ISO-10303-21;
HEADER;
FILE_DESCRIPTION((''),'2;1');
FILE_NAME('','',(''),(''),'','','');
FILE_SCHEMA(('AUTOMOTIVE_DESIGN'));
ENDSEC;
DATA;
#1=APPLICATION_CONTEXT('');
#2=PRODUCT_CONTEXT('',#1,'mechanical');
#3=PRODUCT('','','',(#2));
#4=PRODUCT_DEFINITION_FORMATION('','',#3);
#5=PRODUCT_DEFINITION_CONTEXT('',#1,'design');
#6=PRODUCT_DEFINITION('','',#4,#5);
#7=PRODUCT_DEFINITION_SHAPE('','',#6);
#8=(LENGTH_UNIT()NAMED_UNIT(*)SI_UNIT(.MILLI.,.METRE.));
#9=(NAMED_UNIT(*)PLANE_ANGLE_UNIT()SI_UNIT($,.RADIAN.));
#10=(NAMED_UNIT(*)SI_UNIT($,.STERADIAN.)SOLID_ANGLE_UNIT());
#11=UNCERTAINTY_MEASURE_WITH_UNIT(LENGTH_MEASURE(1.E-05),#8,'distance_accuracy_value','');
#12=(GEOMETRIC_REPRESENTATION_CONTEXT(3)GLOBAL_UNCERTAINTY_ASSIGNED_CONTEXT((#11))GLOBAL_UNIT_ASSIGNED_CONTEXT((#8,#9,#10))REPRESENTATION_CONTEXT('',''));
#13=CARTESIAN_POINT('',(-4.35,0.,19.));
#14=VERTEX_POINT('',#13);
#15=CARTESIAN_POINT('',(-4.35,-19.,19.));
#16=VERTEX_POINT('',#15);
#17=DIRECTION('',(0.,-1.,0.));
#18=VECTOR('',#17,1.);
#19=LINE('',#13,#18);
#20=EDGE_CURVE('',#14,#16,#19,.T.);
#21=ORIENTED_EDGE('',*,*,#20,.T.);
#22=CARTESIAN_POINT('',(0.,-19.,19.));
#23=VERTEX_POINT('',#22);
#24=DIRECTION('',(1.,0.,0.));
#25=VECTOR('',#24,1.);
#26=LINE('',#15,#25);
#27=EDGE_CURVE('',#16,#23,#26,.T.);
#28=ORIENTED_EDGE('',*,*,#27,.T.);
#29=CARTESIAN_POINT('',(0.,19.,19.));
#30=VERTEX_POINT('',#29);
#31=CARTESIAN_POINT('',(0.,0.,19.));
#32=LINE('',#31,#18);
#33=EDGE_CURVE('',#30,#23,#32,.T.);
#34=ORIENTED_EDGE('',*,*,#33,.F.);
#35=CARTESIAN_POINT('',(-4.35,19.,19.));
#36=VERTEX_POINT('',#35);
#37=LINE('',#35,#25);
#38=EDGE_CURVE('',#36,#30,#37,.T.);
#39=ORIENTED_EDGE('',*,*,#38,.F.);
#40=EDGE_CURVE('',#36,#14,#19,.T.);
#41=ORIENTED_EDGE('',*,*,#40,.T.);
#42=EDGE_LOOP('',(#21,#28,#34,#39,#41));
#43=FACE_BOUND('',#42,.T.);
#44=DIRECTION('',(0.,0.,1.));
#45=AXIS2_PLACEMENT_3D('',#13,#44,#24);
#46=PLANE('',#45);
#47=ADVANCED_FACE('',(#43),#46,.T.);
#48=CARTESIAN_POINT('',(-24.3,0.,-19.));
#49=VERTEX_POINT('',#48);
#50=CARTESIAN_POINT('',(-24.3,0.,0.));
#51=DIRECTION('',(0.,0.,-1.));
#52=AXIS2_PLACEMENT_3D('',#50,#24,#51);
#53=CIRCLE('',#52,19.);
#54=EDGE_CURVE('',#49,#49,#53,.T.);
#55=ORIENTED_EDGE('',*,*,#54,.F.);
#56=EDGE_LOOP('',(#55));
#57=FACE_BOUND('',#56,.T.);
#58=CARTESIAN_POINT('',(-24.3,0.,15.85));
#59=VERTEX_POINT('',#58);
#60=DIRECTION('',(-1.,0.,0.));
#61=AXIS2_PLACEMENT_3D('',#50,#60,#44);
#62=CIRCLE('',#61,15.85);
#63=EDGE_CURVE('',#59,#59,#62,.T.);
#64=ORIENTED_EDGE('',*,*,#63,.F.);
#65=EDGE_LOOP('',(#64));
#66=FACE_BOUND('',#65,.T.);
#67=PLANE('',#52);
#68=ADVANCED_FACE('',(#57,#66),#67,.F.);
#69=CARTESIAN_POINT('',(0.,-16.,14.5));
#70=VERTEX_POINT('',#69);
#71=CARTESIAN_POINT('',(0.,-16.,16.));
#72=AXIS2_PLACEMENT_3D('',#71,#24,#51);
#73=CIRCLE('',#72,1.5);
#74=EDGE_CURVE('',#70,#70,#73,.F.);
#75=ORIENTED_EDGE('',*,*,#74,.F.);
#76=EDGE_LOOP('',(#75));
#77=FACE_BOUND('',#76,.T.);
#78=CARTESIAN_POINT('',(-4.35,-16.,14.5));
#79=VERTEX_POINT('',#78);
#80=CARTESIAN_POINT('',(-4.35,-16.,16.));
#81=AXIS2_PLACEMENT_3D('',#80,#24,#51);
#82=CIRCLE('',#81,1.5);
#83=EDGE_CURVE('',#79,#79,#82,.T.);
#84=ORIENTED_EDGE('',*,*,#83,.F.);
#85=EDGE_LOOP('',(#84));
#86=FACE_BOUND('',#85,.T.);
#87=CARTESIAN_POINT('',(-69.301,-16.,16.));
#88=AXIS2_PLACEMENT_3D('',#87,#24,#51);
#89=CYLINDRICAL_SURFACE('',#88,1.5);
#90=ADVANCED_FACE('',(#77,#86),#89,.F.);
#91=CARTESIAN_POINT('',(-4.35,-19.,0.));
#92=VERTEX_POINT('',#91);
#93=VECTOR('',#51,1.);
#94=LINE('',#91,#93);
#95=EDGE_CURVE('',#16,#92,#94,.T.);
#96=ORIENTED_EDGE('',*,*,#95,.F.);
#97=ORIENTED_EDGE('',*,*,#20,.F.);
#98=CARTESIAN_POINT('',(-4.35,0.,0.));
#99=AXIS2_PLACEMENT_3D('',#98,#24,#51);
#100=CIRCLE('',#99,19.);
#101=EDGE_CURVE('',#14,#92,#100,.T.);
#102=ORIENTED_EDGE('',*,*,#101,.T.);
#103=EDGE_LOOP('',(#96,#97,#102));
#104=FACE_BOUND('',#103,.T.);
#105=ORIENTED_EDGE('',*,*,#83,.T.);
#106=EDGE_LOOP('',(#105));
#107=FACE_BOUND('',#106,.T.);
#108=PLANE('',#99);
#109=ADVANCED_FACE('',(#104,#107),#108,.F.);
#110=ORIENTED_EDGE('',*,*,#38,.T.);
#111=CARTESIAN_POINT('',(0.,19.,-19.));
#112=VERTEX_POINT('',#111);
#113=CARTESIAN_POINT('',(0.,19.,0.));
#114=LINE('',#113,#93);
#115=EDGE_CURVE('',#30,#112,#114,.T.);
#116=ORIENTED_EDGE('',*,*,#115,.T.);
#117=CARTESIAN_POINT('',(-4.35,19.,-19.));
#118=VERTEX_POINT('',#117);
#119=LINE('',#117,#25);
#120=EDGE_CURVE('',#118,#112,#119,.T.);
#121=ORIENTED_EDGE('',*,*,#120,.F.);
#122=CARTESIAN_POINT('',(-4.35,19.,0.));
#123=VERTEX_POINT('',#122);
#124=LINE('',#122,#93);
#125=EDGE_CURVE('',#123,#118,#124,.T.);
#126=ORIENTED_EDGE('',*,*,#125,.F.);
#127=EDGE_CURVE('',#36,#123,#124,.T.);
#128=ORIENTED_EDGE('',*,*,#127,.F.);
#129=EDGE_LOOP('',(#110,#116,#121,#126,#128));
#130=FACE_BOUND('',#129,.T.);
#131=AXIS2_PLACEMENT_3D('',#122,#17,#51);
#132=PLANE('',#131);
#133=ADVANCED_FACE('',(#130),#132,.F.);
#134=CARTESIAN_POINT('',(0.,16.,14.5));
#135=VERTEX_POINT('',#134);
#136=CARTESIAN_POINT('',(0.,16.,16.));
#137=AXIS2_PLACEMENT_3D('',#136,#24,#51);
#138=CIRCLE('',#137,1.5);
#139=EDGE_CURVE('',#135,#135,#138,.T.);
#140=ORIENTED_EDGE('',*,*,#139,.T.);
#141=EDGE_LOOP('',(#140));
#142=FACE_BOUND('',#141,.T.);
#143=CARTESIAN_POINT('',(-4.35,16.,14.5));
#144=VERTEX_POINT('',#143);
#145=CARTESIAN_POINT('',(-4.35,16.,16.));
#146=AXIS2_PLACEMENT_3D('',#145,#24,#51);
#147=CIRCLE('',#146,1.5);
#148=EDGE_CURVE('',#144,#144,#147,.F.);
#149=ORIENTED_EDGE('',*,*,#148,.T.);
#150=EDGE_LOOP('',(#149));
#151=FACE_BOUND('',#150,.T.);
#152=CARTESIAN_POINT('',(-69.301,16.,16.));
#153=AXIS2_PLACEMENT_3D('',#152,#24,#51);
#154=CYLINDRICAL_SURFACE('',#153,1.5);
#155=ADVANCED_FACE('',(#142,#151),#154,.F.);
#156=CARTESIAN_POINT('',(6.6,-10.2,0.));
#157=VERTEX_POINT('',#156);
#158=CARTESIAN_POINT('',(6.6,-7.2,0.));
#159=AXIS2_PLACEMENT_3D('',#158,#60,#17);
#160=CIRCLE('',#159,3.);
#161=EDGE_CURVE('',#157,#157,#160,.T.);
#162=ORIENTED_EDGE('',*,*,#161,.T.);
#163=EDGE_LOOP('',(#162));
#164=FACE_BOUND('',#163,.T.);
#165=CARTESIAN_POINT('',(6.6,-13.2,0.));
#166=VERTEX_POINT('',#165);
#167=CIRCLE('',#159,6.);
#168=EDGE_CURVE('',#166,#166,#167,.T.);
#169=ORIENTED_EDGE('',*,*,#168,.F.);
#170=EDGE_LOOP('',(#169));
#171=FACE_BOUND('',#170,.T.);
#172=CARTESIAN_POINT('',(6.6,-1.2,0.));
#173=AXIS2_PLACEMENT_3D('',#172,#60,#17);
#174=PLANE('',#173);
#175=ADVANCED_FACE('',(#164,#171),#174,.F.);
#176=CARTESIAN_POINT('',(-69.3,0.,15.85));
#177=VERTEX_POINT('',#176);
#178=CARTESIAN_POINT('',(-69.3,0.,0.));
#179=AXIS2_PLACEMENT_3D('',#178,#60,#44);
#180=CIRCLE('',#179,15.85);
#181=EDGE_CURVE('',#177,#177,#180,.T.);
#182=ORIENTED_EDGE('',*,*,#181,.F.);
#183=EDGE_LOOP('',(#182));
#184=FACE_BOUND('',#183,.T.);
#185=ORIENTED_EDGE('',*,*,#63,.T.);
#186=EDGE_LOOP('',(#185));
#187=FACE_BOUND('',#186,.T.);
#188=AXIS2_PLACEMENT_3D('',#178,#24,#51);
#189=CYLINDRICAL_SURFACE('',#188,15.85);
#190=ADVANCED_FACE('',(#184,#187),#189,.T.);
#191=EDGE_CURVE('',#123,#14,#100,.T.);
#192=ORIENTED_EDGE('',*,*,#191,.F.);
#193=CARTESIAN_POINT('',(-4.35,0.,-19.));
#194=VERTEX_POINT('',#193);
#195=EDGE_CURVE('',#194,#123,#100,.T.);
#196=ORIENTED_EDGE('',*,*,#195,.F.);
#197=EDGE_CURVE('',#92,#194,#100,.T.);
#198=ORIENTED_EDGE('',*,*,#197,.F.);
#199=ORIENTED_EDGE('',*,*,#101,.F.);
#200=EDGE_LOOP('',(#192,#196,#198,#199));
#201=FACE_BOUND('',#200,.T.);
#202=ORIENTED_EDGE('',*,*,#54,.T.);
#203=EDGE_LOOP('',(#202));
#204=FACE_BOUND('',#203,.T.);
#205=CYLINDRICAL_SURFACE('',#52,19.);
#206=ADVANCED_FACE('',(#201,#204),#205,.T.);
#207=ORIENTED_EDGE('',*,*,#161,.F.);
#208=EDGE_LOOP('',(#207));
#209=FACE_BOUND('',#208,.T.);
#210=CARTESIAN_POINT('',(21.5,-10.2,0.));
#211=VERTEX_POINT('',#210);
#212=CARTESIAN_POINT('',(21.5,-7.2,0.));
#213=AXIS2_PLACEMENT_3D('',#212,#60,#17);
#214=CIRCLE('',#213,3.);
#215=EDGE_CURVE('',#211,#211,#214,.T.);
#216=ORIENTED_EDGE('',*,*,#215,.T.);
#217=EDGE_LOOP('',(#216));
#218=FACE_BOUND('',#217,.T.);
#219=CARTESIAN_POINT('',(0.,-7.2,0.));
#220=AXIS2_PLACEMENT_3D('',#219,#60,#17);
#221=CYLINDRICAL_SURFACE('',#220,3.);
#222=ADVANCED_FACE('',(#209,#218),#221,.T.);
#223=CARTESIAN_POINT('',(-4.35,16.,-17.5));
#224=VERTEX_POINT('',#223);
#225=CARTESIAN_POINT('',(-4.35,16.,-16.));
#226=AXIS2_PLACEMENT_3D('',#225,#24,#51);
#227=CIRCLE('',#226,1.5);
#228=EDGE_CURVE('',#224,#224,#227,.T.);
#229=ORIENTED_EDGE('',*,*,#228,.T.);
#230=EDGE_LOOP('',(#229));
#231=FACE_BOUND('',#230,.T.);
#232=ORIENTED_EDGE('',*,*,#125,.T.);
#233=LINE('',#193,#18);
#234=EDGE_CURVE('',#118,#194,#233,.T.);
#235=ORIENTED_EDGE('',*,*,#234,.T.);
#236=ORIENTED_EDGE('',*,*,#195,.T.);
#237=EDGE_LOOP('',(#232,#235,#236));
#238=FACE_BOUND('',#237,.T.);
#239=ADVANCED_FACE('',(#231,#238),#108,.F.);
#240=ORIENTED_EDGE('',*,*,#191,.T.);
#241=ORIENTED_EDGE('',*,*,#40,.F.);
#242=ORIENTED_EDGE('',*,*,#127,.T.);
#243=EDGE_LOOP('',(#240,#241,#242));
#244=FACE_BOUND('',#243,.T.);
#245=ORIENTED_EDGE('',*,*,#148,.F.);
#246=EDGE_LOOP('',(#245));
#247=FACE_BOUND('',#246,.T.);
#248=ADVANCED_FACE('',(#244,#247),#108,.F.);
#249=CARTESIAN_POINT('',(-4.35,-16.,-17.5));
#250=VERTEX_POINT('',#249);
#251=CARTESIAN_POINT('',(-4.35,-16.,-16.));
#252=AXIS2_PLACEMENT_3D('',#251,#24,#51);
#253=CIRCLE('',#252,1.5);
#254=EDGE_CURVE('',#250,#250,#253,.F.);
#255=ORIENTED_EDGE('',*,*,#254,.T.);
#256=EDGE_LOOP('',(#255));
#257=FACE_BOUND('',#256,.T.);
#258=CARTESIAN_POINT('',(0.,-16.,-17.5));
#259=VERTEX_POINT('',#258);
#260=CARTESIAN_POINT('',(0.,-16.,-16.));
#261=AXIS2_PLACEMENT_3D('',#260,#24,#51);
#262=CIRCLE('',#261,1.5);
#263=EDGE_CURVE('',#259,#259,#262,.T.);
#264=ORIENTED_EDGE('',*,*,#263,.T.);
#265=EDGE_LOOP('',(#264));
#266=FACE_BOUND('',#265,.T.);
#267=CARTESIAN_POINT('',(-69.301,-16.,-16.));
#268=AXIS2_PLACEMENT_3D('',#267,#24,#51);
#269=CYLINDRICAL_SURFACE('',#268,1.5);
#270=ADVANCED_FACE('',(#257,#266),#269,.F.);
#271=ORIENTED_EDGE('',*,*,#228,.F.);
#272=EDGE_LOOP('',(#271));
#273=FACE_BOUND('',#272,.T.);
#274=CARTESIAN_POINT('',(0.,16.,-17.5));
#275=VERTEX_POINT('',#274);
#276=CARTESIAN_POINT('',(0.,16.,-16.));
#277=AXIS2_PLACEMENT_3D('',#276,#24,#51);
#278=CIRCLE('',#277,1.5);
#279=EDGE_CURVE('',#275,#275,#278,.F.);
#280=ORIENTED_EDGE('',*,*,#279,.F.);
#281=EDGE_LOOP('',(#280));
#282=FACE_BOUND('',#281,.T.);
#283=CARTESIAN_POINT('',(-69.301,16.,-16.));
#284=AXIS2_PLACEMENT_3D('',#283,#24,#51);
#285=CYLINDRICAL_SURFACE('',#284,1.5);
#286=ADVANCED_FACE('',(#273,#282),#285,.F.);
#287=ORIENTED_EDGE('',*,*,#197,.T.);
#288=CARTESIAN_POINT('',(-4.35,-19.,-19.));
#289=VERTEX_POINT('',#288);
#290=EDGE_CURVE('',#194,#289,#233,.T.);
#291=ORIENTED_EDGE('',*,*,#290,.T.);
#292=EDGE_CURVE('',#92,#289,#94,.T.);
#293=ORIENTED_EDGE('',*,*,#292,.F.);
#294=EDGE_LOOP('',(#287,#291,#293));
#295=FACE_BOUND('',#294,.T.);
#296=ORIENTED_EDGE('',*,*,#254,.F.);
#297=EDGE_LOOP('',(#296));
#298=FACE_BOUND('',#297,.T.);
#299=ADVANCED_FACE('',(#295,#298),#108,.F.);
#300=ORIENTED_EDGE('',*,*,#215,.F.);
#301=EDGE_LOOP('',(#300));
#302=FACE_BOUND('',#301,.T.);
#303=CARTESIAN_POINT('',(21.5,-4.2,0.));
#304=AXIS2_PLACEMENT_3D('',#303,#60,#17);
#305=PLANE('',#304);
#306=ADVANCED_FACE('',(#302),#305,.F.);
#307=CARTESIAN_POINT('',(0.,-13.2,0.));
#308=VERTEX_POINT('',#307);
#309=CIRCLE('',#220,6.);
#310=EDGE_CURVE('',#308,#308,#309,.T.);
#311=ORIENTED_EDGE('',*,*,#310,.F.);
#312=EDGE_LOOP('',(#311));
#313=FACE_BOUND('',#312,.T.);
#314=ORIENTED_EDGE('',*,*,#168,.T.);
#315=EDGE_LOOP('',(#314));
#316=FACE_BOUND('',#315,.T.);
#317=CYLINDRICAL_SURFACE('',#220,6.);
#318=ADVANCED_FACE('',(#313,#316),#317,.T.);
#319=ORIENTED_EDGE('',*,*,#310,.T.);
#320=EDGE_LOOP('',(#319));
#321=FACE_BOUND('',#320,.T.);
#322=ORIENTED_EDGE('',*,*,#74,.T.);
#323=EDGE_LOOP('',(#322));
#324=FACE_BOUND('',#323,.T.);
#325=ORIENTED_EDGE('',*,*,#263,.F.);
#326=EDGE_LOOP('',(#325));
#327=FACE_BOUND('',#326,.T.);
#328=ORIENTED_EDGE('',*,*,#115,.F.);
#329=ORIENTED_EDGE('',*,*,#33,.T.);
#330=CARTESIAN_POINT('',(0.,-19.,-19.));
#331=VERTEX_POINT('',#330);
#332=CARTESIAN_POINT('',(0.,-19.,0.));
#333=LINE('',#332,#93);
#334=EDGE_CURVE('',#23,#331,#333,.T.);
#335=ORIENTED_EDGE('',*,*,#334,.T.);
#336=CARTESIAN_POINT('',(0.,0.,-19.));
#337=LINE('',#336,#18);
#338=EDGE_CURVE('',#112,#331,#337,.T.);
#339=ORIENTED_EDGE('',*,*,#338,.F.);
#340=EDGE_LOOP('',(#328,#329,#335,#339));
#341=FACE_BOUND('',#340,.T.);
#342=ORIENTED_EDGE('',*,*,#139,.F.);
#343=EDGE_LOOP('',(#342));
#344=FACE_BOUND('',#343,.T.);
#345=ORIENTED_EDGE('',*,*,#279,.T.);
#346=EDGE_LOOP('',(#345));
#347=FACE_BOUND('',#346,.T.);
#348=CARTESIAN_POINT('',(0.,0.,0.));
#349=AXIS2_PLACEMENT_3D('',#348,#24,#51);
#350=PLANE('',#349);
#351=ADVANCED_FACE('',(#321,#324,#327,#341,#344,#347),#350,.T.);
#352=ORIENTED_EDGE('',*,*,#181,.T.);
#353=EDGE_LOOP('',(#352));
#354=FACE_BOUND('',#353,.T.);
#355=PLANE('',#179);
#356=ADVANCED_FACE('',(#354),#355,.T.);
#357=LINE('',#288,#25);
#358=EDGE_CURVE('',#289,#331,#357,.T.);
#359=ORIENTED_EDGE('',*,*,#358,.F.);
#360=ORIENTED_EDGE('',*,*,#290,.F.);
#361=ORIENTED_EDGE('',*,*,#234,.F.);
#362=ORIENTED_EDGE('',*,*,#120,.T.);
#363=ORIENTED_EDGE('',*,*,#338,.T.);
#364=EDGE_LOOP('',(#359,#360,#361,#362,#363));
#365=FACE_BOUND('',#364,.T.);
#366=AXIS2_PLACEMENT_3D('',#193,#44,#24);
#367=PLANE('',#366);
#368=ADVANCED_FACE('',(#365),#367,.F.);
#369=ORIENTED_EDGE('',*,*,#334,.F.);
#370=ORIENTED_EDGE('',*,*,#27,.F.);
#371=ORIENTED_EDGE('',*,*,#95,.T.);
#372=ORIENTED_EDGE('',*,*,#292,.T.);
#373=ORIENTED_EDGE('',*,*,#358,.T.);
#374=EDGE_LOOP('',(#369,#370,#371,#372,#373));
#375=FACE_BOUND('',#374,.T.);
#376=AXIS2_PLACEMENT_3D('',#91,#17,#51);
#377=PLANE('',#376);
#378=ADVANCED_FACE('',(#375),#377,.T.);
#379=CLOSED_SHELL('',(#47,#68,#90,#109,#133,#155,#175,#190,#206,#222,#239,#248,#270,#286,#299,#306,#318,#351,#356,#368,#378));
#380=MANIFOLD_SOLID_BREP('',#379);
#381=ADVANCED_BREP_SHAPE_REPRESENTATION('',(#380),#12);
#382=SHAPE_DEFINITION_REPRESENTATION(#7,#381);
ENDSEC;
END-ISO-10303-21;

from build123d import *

# Parameters (mm, degrees)
BOSS_EXTRUDE1_DEPTH   = 24.3
BOSS_EXTRUDE2_DEPTH   = 4.35
SKETCH2_R             = 15.85
BOSS_EXTRUDE3_DEPTH   = 45
CORTE_EXTRUS_O1_REACH = 76.327
ESBO_O3_R             = 1.5


with BuildPart() as part:
    # Sketch1 → Boss-Extrude1 (new body)
    with BuildSketch(Plane(origin=(0, 0, 0), x_dir=(0, 0, -1), z_dir=(1, 0, 0))):
        with BuildLine():
            ThreePointArc((19, 0), (13.435028855, 13.43502883), (3.5e-08, 19))
            ThreePointArc((3.5e-08, 19), (-13.435028834, 13.435028851), (-19, -9e-09))
            ThreePointArc((-19, -9e-09), (-13.435028829, -13.435028856), (2.8e-08, -19))
            ThreePointArc((2.8e-08, -19), (13.435028852, -13.435028833), (19, 0))
        make_face()
    extrude(amount=-BOSS_EXTRUDE1_DEPTH)

    # Sketch1<3> → Boss-Extrude2 (add)
    with BuildSketch(Plane(origin=(0, 0, 0), x_dir=(0, 0, -1), z_dir=(1, 0, 0))):
        with BuildLine():
            Line((3.5e-08, 19), (-19, 19))
            Line((-19, 19), (-19, -9e-09))
            ThreePointArc((-19, -9e-09), (-13.435028834, 13.435028851), (3.5e-08, 19))
        make_face()
        with BuildLine():
            Line((19, 19), (3.5e-08, 19))
            ThreePointArc((3.5e-08, 19), (13.435028855, 13.43502883), (19, 0))
            Line((19, 0), (19, 19))
        make_face()
        with BuildLine():
            ThreePointArc((2.8e-08, -19), (-13.435028829, -13.435028856), (-19, -9e-09))
            Line((-19, -9e-09), (-19, -19))
            Line((-19, -19), (2.8e-08, -19))
        make_face()
        with BuildLine():
            Line((19, -19), (19, 0))
            ThreePointArc((19, 0), (13.435028852, -13.435028833), (2.8e-08, -19))
            Line((2.8e-08, -19), (19, -19))
        make_face()
    extrude(amount=-BOSS_EXTRUDE2_DEPTH)

    # Sketch2 → Boss-Extrude3 (add)
    with BuildSketch(Plane.ZY.offset(24.3)):
        Circle(SKETCH2_R)
    extrude(amount=BOSS_EXTRUDE3_DEPTH)

    # Esboço2 → Revolução1 (revolve)
    with BuildSketch(Plane.XY):
        Polygon((0, -1.2), (6.6, -1.2), (6.6, -4.2), (21.5, -4.2), (21.5, -7.2), (0, -7.2), align=None)
    revolve(axis=Axis((0, -7.2, 0), (1, 0, 0)))

    # Esboço3 → Corte-extrusão1 (cut, up to next)
    with BuildSketch(Plane(origin=(0, 0, 0), x_dir=(0, 0, -1), z_dir=(1, 0, 0)), mode=Mode.PRIVATE) as corte_extrus_o1_sk1:
        with Locations((-16, 16)):
            Circle(ESBO_O3_R)
    corte_extrus_o1_tool1 = extrude(corte_extrus_o1_sk1.sketch, amount=-CORTE_EXTRUS_O1_REACH, mode=Mode.PRIVATE) & part.part
    # Esboço3 → Corte-extrusão1 (cut, up to next)
    with BuildSketch(Plane(origin=(0, 0, 0), x_dir=(0, 0, -1), z_dir=(1, 0, 0)), mode=Mode.PRIVATE) as corte_extrus_o1_sk2:
        with Locations((16, 16)):
            Circle(ESBO_O3_R)
    corte_extrus_o1_tool2 = extrude(corte_extrus_o1_sk2.sketch, amount=-CORTE_EXTRUS_O1_REACH, mode=Mode.PRIVATE) & part.part
    # Esboço3 → Corte-extrusão1 (cut, up to next)
    with BuildSketch(Plane(origin=(0, 0, 0), x_dir=(0, 0, -1), z_dir=(1, 0, 0)), mode=Mode.PRIVATE) as corte_extrus_o1_sk3:
        with Locations((16, -16)):
            Circle(ESBO_O3_R)
    corte_extrus_o1_tool3 = extrude(corte_extrus_o1_sk3.sketch, amount=-CORTE_EXTRUS_O1_REACH, mode=Mode.PRIVATE) & part.part
    # Esboço3 → Corte-extrusão1 (cut, up to next)
    with BuildSketch(Plane(origin=(0, 0, 0), x_dir=(0, 0, -1), z_dir=(1, 0, 0)), mode=Mode.PRIVATE) as corte_extrus_o1_sk4:
        with Locations((-16, -16)):
            Circle(ESBO_O3_R)
    corte_extrus_o1_tool4 = extrude(corte_extrus_o1_sk4.sketch, amount=-CORTE_EXTRUS_O1_REACH, mode=Mode.PRIVATE) & part.part
    add(corte_extrus_o1_tool1.solids().sort_by_distance((0, 16, 16))[0], mode=Mode.SUBTRACT)
    add(corte_extrus_o1_tool2.solids().sort_by_distance((0, 16, -16))[0], mode=Mode.SUBTRACT)
    add(corte_extrus_o1_tool3.solids().sort_by_distance((0, -16, -16))[0], mode=Mode.SUBTRACT)
    add(corte_extrus_o1_tool4.solids().sort_by_distance((0, -16, 16))[0], mode=Mode.SUBTRACT)


solid = part.part
